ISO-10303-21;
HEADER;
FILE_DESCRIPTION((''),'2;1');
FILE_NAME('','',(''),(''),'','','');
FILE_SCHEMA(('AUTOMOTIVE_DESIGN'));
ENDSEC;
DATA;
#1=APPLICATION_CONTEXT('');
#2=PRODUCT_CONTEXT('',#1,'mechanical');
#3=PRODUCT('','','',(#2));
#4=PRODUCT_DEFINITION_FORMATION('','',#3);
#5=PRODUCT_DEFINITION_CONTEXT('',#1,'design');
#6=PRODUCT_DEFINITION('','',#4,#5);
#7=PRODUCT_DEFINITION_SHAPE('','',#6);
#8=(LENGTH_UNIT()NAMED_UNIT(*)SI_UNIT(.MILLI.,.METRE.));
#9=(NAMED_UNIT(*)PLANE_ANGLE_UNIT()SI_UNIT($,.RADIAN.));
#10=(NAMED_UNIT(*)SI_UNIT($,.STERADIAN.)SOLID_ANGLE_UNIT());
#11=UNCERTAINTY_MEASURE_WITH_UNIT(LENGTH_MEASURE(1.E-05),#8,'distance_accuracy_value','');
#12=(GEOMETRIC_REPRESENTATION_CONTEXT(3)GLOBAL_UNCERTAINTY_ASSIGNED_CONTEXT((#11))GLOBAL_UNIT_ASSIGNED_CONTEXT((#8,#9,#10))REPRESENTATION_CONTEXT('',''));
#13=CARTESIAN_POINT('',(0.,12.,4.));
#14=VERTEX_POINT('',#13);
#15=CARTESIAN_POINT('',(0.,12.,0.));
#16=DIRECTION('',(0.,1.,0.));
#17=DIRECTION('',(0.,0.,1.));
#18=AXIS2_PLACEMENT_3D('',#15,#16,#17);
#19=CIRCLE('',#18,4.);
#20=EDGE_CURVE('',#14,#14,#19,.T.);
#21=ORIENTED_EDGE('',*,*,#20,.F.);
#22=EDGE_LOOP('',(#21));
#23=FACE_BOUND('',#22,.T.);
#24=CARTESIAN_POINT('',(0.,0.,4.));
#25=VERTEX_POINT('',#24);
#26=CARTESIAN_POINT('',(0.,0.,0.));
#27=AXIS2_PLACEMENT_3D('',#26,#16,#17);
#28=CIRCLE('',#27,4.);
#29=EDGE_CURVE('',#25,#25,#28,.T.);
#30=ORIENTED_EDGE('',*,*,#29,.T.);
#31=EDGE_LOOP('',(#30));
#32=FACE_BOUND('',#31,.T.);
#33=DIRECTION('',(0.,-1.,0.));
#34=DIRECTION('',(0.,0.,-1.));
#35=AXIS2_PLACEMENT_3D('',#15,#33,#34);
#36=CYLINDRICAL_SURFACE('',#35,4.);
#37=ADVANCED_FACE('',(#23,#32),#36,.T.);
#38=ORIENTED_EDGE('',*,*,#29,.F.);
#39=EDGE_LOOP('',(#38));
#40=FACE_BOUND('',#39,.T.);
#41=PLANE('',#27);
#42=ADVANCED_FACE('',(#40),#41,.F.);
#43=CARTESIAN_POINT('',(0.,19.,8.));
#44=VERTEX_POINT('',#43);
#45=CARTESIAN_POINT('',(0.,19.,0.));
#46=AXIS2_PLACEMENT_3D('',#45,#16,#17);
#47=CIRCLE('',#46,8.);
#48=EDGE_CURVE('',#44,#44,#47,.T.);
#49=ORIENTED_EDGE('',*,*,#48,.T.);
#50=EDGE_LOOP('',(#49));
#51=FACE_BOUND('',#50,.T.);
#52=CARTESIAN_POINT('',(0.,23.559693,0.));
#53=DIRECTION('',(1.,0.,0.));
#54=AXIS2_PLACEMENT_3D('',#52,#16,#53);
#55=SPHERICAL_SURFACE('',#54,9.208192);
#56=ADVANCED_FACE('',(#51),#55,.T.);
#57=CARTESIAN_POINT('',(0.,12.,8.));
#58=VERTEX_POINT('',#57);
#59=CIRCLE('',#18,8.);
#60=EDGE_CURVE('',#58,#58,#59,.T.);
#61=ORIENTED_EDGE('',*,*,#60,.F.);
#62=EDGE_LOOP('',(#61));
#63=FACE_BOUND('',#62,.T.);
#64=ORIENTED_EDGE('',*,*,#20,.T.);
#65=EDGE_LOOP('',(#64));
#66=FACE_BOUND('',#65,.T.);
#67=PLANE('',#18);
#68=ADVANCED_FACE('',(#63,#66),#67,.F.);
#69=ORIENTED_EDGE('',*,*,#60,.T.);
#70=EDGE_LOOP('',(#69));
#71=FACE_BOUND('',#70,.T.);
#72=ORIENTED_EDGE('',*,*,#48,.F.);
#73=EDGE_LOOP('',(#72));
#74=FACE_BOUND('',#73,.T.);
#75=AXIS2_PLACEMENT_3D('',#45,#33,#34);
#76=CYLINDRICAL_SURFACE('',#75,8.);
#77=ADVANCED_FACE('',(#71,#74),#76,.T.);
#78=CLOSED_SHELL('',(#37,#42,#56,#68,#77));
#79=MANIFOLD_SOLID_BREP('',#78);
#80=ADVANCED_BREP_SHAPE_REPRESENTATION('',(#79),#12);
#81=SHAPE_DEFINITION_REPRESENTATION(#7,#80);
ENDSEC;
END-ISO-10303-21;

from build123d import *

# Parameters (mm, degrees)
SKETCH1_R           = 4
BOSS_EXTRUDE1_DEPTH = 12
SKETCH3_R           = 8
BOSS_EXTRUDE2_DEPTH = 7


with BuildPart() as part:
    # Sketch1 → Boss-Extrude1 (new body)
    with BuildSketch(Plane(origin=(0, 0, 0), x_dir=(1, 0, 0), z_dir=(0, 1, 0))):
        Circle(SKETCH1_R)
    extrude(amount=BOSS_EXTRUDE1_DEPTH)

    # Sketch3 → Boss-Extrude2 (add)
    with BuildSketch(Plane(origin=(0, 12, 0), x_dir=(1, 0, 0), z_dir=(0, 1, 0))):
        Circle(SKETCH3_R)
    extrude(amount=BOSS_EXTRUDE2_DEPTH)

    # Sketch4 → Revolve2 (revolve)
    with BuildSketch(Plane.XY):
        with BuildLine():
            Line((0, 28.11938617), (0, 19))
            Line((0, 19), (8, 19))
            ThreePointArc((8, 19), (7.961699903, 28.185937316), (0, 32.767885146))
            Line((0, 32.767885146), (0, 28.11938617))
        make_face()
    revolve(axis=Axis((0, 28.11938617, 0), (0, -1, 0)))


solid = part.part
